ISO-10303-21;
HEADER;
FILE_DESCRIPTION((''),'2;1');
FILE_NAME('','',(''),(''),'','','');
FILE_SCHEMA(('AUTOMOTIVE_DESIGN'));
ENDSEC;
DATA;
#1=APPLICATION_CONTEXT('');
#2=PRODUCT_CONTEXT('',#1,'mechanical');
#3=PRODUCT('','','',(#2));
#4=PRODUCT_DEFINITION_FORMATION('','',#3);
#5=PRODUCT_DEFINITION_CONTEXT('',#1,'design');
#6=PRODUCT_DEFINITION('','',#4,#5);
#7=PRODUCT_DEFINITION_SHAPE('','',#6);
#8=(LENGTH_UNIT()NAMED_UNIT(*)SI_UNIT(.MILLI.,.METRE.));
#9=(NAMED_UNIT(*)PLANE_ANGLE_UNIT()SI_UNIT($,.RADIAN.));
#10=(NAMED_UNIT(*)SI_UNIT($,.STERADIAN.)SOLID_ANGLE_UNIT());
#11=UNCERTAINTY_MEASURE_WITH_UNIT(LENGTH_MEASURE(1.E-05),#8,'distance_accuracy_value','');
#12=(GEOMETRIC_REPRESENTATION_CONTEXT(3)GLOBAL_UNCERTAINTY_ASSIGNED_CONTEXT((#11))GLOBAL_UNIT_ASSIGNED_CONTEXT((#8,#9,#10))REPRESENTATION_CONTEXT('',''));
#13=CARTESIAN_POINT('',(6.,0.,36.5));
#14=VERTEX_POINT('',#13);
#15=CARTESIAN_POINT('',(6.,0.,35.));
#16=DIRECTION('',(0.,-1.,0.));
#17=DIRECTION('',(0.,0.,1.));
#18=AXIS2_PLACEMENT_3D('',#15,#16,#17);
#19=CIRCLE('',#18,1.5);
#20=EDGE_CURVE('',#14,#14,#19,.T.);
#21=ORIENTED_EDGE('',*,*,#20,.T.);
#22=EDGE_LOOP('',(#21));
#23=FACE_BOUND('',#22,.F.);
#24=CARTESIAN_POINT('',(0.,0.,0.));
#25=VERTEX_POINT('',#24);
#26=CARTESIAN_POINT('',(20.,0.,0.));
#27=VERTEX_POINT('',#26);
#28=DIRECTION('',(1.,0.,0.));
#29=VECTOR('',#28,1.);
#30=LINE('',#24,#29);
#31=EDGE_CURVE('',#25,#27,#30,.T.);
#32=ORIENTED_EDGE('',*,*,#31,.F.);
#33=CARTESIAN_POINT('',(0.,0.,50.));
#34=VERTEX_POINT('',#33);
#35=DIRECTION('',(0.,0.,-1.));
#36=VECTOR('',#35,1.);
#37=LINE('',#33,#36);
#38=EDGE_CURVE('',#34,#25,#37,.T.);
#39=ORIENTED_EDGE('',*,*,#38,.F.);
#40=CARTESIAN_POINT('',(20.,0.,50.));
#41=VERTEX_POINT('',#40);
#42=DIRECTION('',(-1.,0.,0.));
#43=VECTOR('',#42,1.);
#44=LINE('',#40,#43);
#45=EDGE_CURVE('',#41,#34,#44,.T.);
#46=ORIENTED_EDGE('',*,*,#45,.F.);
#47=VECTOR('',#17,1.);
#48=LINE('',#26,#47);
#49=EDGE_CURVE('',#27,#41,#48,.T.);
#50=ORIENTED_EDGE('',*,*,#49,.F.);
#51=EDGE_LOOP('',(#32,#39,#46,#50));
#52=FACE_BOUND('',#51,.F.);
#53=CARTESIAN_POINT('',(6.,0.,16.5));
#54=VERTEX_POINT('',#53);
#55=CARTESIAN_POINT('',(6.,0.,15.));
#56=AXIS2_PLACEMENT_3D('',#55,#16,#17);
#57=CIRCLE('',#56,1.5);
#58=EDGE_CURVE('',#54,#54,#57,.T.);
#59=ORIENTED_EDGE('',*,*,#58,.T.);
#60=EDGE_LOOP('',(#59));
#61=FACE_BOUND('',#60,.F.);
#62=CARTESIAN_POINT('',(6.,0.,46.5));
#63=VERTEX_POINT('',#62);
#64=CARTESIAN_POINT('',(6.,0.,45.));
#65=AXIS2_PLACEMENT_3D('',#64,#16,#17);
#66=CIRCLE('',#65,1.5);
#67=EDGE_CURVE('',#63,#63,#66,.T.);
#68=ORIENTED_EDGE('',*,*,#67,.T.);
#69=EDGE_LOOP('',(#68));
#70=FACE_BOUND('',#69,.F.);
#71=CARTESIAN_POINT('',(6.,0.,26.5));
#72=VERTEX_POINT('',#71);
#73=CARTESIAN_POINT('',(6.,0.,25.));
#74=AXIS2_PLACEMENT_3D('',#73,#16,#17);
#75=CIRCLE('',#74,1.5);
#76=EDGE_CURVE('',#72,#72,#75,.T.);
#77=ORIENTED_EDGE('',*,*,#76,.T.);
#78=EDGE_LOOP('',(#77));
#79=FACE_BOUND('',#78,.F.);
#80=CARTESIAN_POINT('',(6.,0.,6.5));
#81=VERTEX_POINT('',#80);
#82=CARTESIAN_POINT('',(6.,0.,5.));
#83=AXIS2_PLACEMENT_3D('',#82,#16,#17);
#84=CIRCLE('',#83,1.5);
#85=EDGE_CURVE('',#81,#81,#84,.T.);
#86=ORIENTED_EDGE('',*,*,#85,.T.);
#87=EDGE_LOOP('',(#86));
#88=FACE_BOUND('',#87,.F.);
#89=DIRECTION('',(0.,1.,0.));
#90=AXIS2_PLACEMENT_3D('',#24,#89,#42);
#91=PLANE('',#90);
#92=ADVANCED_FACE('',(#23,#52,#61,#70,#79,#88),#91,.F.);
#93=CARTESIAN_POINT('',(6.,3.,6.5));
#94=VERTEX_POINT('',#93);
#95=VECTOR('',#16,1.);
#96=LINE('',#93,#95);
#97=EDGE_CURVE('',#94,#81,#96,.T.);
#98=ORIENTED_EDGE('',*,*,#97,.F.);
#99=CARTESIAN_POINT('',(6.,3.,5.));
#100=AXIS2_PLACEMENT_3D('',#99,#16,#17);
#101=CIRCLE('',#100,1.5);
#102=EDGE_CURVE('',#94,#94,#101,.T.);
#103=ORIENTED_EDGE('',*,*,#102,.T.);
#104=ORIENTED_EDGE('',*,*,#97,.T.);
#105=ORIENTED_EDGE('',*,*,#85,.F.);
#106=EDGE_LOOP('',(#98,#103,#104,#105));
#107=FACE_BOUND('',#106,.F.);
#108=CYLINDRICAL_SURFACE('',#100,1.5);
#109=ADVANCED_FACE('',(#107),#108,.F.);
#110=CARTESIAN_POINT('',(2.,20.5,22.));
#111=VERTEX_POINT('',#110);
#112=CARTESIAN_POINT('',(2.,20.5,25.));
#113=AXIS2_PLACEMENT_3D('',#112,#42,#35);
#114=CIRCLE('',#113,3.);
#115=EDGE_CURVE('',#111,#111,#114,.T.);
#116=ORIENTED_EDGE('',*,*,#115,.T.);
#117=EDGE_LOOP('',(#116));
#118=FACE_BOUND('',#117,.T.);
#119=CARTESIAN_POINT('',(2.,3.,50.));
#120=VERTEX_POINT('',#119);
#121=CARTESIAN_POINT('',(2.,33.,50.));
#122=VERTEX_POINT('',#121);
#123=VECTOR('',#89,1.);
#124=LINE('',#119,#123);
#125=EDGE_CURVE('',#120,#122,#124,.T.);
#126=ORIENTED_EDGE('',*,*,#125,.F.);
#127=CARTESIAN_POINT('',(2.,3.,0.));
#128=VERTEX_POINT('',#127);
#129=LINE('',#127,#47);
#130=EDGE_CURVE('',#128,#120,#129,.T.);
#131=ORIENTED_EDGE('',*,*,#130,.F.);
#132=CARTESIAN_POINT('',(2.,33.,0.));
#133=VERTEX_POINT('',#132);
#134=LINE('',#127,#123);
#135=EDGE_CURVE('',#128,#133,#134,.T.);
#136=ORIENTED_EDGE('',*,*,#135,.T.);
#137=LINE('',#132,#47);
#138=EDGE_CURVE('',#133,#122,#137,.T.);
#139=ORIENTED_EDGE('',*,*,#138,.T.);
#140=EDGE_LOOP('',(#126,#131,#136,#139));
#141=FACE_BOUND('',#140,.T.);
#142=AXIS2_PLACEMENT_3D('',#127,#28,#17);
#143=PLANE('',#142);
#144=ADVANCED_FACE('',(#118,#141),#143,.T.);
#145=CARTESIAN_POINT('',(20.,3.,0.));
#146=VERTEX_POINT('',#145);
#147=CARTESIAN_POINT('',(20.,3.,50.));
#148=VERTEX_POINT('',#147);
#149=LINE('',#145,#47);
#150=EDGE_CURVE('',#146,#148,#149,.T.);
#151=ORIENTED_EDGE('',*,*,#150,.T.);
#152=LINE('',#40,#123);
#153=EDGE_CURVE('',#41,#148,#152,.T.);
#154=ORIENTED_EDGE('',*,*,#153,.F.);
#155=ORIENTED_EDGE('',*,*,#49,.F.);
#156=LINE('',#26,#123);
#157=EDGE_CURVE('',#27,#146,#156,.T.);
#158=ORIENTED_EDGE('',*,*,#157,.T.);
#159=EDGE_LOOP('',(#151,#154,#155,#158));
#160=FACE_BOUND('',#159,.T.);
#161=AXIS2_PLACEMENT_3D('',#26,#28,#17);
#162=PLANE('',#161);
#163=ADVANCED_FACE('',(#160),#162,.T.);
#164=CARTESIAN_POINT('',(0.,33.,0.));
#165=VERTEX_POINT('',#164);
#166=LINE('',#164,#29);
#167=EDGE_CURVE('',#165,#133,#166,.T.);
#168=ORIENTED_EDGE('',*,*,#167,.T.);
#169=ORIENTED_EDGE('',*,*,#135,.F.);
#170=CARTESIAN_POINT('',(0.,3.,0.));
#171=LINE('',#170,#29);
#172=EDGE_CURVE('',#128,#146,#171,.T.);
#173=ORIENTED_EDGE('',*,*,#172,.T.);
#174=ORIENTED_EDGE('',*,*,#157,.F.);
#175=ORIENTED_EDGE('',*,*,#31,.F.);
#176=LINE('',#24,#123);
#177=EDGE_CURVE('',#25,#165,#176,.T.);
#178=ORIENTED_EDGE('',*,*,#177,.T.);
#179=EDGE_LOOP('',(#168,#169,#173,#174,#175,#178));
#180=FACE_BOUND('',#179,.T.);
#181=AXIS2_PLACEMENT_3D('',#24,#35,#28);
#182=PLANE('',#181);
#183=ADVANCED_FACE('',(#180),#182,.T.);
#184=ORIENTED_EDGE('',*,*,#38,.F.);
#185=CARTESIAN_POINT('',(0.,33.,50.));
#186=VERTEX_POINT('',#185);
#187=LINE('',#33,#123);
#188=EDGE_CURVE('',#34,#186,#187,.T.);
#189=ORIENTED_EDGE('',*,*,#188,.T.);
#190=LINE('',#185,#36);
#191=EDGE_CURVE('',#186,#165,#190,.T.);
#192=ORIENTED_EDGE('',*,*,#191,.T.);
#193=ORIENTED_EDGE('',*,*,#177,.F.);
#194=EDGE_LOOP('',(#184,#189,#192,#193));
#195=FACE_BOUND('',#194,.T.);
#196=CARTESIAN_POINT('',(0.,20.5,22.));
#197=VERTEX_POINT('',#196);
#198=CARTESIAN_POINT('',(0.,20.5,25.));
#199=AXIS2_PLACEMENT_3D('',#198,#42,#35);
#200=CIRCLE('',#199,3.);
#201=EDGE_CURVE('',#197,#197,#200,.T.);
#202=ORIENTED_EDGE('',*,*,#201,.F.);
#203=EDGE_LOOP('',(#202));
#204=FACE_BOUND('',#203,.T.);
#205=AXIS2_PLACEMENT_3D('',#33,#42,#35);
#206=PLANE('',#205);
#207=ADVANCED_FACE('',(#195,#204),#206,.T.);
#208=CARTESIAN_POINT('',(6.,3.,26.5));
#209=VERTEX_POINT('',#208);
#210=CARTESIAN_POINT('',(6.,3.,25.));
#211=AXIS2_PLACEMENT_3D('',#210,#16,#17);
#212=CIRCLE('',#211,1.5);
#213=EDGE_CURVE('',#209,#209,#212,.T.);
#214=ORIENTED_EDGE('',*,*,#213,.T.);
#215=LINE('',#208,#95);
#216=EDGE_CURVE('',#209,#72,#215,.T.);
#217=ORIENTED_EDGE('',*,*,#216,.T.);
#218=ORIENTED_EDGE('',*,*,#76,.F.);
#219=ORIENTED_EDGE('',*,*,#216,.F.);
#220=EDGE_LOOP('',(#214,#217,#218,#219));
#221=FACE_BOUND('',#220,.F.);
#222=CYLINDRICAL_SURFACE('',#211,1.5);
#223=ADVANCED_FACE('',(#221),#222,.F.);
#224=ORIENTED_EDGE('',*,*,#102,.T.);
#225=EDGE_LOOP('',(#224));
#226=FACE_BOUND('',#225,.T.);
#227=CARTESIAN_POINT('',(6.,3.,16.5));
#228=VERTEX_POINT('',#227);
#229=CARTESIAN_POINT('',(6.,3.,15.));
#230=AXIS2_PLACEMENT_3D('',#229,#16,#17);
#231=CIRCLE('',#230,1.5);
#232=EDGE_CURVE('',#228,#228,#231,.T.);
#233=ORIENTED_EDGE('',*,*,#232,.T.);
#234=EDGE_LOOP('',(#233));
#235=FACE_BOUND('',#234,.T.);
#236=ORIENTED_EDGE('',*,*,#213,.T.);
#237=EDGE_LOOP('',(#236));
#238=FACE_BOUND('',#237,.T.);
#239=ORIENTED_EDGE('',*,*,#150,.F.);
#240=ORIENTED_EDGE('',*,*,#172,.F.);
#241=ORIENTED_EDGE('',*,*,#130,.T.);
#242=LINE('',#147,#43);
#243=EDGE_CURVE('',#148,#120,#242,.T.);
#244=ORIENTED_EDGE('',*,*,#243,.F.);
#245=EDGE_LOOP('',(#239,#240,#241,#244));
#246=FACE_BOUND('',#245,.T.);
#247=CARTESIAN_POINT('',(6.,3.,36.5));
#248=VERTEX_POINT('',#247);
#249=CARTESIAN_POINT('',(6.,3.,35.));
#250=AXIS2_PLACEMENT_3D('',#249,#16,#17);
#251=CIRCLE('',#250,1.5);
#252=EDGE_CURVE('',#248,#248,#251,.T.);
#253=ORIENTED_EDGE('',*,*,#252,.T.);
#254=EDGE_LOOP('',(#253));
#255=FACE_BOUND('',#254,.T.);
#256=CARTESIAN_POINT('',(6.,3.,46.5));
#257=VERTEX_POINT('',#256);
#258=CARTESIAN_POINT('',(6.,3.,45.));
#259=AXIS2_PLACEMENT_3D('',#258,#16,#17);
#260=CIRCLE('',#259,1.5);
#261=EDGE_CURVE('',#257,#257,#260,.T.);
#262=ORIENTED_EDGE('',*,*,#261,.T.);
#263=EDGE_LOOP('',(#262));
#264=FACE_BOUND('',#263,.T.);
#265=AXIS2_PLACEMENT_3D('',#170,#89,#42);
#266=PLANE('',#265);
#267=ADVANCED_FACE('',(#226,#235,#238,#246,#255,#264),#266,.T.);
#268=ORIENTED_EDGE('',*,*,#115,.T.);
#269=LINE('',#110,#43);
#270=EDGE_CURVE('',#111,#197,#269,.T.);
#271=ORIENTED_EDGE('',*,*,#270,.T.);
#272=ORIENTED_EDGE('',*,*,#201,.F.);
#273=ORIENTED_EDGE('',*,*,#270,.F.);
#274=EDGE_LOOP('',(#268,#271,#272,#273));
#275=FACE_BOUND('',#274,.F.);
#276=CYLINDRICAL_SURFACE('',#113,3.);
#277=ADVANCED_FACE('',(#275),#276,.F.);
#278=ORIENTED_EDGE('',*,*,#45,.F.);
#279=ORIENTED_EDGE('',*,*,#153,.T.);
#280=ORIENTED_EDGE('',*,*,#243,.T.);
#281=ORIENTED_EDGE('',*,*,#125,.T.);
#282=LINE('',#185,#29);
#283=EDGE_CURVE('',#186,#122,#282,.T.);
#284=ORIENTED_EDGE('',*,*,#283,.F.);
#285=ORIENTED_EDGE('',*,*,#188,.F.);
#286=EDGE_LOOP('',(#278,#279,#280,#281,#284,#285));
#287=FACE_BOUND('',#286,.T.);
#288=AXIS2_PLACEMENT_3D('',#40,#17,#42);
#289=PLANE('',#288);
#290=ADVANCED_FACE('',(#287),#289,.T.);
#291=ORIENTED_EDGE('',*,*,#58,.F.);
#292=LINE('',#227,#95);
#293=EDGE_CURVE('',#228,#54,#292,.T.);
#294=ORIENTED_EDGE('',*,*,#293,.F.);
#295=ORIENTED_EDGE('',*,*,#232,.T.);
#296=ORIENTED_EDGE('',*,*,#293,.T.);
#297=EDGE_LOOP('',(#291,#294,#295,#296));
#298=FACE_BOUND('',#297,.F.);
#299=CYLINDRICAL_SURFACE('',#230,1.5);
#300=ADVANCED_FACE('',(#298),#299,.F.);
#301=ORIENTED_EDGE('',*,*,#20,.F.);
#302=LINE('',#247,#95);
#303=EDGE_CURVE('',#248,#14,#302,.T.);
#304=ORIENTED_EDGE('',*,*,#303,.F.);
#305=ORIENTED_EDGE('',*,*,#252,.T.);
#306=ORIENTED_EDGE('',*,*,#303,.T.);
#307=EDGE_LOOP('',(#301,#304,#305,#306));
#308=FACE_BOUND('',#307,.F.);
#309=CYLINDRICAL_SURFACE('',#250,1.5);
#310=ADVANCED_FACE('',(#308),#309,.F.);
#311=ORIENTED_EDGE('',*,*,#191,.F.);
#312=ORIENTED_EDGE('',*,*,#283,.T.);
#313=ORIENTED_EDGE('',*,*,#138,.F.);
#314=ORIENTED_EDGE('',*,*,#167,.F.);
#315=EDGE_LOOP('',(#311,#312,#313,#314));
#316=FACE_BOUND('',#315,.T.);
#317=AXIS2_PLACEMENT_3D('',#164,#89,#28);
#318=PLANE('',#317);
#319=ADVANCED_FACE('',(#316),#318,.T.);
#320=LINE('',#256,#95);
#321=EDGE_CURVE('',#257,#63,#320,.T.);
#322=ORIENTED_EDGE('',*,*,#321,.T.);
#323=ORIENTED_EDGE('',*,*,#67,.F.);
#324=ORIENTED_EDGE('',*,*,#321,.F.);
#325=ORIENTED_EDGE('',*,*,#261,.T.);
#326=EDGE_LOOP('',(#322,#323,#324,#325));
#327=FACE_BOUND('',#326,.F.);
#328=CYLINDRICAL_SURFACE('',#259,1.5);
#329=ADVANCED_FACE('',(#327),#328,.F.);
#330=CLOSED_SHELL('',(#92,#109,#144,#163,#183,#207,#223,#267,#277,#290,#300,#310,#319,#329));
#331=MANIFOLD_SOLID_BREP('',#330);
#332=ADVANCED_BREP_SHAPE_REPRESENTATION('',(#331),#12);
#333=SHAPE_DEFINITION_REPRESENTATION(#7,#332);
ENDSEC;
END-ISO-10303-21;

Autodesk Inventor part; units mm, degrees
ref_plane "YZ Plane" through (0, 0, 0) normal (1, 0, 0) x (0, 1, 0)
ref_plane "XZ Plane" through (0, 0, 0) normal (0, 1, 0) x (-1, 0, 0)
ref_plane "XY Plane" through (0, 0, 0) normal (0, 0, 1) x (1, 0, 0)
sketch "スケッチ1" plane through (0, 0, 0) normal (0, 1, 0) x (-1, 0, 0)
  line L0 (0, 0) -> (-20, 0)
  line L1 (-20, 0) -> (-20, 50)
  line L2 (-20, 50) -> (0, 50)
  line L3 (0, 50) -> (0, 0)
  dimension "d0" = 20
  dimension "d1" = 50
extrude "押し出し1" add sketch "スケッチ1" along normal blind 3
sketch "スケッチ2" plane through (0, 3, 0) normal (0, 1, 0) x (1, 0, 0)
  line L0 (0, -50) -> (20, -50) projected
  line L1 (0, 0) -> (2, 0)
  line L2 (2, 0) -> (2, -50)
  line L3 (2, -50) -> (0, -50)
  line L4 (0, -50) -> (0, 0)
  dimension "d4" = 2
extrude "押し出し2" add sketch "スケッチ2" along normal blind 30
sketch "スケッチ3" plane through (2, 3, 50) normal (1, 0, 0) x (0, 0, -1)
  line L0 (50, 0) -> (0, 0) projected
  line L1 (0, 0) -> (0, 30) projected
  line L2 (25, 0) -> (25, 17.5)
  circle A0 centre (25, 17.5) radius 3
  point P0 (50, -3)
  dimension "d7" = 17.5
  dimension "d8" = 6
hole "穴1" at (2, 20.5, 25) direction (-1, 0, 0) diameter 6 depth 8 tip angle 118
sketch "スケッチ4" plane through (0, 3, 0) normal (0, 1, 0) x (1, 0, 0)
  line L0 (20, -50) -> (20, 0) projected
  line L1 (20, 0) -> (2, 0) projected
  line L2 (20, -25) -> (6, -25)
  line L3 (6, -25) -> (6, -15)
  line L4 (6, -15) -> (6, -5)
  point P0 (0, 0)
  point P1 (6, -45)
  point P2 (6, -35)
  point P3 (6, -45)
  dimension "d16" = 14
  dimension "d17" = 10
  dimension "d18" = 10
hole "穴2" at (6, 3, 5) at (6, 3, 15) at (6, 3, 25) at (6, 3, 35) at (6, 3, 45) direction (0, -1, 0) diameter 3 depth 8 tip angle 118
properties part number "知能ロボコンＬ字"
